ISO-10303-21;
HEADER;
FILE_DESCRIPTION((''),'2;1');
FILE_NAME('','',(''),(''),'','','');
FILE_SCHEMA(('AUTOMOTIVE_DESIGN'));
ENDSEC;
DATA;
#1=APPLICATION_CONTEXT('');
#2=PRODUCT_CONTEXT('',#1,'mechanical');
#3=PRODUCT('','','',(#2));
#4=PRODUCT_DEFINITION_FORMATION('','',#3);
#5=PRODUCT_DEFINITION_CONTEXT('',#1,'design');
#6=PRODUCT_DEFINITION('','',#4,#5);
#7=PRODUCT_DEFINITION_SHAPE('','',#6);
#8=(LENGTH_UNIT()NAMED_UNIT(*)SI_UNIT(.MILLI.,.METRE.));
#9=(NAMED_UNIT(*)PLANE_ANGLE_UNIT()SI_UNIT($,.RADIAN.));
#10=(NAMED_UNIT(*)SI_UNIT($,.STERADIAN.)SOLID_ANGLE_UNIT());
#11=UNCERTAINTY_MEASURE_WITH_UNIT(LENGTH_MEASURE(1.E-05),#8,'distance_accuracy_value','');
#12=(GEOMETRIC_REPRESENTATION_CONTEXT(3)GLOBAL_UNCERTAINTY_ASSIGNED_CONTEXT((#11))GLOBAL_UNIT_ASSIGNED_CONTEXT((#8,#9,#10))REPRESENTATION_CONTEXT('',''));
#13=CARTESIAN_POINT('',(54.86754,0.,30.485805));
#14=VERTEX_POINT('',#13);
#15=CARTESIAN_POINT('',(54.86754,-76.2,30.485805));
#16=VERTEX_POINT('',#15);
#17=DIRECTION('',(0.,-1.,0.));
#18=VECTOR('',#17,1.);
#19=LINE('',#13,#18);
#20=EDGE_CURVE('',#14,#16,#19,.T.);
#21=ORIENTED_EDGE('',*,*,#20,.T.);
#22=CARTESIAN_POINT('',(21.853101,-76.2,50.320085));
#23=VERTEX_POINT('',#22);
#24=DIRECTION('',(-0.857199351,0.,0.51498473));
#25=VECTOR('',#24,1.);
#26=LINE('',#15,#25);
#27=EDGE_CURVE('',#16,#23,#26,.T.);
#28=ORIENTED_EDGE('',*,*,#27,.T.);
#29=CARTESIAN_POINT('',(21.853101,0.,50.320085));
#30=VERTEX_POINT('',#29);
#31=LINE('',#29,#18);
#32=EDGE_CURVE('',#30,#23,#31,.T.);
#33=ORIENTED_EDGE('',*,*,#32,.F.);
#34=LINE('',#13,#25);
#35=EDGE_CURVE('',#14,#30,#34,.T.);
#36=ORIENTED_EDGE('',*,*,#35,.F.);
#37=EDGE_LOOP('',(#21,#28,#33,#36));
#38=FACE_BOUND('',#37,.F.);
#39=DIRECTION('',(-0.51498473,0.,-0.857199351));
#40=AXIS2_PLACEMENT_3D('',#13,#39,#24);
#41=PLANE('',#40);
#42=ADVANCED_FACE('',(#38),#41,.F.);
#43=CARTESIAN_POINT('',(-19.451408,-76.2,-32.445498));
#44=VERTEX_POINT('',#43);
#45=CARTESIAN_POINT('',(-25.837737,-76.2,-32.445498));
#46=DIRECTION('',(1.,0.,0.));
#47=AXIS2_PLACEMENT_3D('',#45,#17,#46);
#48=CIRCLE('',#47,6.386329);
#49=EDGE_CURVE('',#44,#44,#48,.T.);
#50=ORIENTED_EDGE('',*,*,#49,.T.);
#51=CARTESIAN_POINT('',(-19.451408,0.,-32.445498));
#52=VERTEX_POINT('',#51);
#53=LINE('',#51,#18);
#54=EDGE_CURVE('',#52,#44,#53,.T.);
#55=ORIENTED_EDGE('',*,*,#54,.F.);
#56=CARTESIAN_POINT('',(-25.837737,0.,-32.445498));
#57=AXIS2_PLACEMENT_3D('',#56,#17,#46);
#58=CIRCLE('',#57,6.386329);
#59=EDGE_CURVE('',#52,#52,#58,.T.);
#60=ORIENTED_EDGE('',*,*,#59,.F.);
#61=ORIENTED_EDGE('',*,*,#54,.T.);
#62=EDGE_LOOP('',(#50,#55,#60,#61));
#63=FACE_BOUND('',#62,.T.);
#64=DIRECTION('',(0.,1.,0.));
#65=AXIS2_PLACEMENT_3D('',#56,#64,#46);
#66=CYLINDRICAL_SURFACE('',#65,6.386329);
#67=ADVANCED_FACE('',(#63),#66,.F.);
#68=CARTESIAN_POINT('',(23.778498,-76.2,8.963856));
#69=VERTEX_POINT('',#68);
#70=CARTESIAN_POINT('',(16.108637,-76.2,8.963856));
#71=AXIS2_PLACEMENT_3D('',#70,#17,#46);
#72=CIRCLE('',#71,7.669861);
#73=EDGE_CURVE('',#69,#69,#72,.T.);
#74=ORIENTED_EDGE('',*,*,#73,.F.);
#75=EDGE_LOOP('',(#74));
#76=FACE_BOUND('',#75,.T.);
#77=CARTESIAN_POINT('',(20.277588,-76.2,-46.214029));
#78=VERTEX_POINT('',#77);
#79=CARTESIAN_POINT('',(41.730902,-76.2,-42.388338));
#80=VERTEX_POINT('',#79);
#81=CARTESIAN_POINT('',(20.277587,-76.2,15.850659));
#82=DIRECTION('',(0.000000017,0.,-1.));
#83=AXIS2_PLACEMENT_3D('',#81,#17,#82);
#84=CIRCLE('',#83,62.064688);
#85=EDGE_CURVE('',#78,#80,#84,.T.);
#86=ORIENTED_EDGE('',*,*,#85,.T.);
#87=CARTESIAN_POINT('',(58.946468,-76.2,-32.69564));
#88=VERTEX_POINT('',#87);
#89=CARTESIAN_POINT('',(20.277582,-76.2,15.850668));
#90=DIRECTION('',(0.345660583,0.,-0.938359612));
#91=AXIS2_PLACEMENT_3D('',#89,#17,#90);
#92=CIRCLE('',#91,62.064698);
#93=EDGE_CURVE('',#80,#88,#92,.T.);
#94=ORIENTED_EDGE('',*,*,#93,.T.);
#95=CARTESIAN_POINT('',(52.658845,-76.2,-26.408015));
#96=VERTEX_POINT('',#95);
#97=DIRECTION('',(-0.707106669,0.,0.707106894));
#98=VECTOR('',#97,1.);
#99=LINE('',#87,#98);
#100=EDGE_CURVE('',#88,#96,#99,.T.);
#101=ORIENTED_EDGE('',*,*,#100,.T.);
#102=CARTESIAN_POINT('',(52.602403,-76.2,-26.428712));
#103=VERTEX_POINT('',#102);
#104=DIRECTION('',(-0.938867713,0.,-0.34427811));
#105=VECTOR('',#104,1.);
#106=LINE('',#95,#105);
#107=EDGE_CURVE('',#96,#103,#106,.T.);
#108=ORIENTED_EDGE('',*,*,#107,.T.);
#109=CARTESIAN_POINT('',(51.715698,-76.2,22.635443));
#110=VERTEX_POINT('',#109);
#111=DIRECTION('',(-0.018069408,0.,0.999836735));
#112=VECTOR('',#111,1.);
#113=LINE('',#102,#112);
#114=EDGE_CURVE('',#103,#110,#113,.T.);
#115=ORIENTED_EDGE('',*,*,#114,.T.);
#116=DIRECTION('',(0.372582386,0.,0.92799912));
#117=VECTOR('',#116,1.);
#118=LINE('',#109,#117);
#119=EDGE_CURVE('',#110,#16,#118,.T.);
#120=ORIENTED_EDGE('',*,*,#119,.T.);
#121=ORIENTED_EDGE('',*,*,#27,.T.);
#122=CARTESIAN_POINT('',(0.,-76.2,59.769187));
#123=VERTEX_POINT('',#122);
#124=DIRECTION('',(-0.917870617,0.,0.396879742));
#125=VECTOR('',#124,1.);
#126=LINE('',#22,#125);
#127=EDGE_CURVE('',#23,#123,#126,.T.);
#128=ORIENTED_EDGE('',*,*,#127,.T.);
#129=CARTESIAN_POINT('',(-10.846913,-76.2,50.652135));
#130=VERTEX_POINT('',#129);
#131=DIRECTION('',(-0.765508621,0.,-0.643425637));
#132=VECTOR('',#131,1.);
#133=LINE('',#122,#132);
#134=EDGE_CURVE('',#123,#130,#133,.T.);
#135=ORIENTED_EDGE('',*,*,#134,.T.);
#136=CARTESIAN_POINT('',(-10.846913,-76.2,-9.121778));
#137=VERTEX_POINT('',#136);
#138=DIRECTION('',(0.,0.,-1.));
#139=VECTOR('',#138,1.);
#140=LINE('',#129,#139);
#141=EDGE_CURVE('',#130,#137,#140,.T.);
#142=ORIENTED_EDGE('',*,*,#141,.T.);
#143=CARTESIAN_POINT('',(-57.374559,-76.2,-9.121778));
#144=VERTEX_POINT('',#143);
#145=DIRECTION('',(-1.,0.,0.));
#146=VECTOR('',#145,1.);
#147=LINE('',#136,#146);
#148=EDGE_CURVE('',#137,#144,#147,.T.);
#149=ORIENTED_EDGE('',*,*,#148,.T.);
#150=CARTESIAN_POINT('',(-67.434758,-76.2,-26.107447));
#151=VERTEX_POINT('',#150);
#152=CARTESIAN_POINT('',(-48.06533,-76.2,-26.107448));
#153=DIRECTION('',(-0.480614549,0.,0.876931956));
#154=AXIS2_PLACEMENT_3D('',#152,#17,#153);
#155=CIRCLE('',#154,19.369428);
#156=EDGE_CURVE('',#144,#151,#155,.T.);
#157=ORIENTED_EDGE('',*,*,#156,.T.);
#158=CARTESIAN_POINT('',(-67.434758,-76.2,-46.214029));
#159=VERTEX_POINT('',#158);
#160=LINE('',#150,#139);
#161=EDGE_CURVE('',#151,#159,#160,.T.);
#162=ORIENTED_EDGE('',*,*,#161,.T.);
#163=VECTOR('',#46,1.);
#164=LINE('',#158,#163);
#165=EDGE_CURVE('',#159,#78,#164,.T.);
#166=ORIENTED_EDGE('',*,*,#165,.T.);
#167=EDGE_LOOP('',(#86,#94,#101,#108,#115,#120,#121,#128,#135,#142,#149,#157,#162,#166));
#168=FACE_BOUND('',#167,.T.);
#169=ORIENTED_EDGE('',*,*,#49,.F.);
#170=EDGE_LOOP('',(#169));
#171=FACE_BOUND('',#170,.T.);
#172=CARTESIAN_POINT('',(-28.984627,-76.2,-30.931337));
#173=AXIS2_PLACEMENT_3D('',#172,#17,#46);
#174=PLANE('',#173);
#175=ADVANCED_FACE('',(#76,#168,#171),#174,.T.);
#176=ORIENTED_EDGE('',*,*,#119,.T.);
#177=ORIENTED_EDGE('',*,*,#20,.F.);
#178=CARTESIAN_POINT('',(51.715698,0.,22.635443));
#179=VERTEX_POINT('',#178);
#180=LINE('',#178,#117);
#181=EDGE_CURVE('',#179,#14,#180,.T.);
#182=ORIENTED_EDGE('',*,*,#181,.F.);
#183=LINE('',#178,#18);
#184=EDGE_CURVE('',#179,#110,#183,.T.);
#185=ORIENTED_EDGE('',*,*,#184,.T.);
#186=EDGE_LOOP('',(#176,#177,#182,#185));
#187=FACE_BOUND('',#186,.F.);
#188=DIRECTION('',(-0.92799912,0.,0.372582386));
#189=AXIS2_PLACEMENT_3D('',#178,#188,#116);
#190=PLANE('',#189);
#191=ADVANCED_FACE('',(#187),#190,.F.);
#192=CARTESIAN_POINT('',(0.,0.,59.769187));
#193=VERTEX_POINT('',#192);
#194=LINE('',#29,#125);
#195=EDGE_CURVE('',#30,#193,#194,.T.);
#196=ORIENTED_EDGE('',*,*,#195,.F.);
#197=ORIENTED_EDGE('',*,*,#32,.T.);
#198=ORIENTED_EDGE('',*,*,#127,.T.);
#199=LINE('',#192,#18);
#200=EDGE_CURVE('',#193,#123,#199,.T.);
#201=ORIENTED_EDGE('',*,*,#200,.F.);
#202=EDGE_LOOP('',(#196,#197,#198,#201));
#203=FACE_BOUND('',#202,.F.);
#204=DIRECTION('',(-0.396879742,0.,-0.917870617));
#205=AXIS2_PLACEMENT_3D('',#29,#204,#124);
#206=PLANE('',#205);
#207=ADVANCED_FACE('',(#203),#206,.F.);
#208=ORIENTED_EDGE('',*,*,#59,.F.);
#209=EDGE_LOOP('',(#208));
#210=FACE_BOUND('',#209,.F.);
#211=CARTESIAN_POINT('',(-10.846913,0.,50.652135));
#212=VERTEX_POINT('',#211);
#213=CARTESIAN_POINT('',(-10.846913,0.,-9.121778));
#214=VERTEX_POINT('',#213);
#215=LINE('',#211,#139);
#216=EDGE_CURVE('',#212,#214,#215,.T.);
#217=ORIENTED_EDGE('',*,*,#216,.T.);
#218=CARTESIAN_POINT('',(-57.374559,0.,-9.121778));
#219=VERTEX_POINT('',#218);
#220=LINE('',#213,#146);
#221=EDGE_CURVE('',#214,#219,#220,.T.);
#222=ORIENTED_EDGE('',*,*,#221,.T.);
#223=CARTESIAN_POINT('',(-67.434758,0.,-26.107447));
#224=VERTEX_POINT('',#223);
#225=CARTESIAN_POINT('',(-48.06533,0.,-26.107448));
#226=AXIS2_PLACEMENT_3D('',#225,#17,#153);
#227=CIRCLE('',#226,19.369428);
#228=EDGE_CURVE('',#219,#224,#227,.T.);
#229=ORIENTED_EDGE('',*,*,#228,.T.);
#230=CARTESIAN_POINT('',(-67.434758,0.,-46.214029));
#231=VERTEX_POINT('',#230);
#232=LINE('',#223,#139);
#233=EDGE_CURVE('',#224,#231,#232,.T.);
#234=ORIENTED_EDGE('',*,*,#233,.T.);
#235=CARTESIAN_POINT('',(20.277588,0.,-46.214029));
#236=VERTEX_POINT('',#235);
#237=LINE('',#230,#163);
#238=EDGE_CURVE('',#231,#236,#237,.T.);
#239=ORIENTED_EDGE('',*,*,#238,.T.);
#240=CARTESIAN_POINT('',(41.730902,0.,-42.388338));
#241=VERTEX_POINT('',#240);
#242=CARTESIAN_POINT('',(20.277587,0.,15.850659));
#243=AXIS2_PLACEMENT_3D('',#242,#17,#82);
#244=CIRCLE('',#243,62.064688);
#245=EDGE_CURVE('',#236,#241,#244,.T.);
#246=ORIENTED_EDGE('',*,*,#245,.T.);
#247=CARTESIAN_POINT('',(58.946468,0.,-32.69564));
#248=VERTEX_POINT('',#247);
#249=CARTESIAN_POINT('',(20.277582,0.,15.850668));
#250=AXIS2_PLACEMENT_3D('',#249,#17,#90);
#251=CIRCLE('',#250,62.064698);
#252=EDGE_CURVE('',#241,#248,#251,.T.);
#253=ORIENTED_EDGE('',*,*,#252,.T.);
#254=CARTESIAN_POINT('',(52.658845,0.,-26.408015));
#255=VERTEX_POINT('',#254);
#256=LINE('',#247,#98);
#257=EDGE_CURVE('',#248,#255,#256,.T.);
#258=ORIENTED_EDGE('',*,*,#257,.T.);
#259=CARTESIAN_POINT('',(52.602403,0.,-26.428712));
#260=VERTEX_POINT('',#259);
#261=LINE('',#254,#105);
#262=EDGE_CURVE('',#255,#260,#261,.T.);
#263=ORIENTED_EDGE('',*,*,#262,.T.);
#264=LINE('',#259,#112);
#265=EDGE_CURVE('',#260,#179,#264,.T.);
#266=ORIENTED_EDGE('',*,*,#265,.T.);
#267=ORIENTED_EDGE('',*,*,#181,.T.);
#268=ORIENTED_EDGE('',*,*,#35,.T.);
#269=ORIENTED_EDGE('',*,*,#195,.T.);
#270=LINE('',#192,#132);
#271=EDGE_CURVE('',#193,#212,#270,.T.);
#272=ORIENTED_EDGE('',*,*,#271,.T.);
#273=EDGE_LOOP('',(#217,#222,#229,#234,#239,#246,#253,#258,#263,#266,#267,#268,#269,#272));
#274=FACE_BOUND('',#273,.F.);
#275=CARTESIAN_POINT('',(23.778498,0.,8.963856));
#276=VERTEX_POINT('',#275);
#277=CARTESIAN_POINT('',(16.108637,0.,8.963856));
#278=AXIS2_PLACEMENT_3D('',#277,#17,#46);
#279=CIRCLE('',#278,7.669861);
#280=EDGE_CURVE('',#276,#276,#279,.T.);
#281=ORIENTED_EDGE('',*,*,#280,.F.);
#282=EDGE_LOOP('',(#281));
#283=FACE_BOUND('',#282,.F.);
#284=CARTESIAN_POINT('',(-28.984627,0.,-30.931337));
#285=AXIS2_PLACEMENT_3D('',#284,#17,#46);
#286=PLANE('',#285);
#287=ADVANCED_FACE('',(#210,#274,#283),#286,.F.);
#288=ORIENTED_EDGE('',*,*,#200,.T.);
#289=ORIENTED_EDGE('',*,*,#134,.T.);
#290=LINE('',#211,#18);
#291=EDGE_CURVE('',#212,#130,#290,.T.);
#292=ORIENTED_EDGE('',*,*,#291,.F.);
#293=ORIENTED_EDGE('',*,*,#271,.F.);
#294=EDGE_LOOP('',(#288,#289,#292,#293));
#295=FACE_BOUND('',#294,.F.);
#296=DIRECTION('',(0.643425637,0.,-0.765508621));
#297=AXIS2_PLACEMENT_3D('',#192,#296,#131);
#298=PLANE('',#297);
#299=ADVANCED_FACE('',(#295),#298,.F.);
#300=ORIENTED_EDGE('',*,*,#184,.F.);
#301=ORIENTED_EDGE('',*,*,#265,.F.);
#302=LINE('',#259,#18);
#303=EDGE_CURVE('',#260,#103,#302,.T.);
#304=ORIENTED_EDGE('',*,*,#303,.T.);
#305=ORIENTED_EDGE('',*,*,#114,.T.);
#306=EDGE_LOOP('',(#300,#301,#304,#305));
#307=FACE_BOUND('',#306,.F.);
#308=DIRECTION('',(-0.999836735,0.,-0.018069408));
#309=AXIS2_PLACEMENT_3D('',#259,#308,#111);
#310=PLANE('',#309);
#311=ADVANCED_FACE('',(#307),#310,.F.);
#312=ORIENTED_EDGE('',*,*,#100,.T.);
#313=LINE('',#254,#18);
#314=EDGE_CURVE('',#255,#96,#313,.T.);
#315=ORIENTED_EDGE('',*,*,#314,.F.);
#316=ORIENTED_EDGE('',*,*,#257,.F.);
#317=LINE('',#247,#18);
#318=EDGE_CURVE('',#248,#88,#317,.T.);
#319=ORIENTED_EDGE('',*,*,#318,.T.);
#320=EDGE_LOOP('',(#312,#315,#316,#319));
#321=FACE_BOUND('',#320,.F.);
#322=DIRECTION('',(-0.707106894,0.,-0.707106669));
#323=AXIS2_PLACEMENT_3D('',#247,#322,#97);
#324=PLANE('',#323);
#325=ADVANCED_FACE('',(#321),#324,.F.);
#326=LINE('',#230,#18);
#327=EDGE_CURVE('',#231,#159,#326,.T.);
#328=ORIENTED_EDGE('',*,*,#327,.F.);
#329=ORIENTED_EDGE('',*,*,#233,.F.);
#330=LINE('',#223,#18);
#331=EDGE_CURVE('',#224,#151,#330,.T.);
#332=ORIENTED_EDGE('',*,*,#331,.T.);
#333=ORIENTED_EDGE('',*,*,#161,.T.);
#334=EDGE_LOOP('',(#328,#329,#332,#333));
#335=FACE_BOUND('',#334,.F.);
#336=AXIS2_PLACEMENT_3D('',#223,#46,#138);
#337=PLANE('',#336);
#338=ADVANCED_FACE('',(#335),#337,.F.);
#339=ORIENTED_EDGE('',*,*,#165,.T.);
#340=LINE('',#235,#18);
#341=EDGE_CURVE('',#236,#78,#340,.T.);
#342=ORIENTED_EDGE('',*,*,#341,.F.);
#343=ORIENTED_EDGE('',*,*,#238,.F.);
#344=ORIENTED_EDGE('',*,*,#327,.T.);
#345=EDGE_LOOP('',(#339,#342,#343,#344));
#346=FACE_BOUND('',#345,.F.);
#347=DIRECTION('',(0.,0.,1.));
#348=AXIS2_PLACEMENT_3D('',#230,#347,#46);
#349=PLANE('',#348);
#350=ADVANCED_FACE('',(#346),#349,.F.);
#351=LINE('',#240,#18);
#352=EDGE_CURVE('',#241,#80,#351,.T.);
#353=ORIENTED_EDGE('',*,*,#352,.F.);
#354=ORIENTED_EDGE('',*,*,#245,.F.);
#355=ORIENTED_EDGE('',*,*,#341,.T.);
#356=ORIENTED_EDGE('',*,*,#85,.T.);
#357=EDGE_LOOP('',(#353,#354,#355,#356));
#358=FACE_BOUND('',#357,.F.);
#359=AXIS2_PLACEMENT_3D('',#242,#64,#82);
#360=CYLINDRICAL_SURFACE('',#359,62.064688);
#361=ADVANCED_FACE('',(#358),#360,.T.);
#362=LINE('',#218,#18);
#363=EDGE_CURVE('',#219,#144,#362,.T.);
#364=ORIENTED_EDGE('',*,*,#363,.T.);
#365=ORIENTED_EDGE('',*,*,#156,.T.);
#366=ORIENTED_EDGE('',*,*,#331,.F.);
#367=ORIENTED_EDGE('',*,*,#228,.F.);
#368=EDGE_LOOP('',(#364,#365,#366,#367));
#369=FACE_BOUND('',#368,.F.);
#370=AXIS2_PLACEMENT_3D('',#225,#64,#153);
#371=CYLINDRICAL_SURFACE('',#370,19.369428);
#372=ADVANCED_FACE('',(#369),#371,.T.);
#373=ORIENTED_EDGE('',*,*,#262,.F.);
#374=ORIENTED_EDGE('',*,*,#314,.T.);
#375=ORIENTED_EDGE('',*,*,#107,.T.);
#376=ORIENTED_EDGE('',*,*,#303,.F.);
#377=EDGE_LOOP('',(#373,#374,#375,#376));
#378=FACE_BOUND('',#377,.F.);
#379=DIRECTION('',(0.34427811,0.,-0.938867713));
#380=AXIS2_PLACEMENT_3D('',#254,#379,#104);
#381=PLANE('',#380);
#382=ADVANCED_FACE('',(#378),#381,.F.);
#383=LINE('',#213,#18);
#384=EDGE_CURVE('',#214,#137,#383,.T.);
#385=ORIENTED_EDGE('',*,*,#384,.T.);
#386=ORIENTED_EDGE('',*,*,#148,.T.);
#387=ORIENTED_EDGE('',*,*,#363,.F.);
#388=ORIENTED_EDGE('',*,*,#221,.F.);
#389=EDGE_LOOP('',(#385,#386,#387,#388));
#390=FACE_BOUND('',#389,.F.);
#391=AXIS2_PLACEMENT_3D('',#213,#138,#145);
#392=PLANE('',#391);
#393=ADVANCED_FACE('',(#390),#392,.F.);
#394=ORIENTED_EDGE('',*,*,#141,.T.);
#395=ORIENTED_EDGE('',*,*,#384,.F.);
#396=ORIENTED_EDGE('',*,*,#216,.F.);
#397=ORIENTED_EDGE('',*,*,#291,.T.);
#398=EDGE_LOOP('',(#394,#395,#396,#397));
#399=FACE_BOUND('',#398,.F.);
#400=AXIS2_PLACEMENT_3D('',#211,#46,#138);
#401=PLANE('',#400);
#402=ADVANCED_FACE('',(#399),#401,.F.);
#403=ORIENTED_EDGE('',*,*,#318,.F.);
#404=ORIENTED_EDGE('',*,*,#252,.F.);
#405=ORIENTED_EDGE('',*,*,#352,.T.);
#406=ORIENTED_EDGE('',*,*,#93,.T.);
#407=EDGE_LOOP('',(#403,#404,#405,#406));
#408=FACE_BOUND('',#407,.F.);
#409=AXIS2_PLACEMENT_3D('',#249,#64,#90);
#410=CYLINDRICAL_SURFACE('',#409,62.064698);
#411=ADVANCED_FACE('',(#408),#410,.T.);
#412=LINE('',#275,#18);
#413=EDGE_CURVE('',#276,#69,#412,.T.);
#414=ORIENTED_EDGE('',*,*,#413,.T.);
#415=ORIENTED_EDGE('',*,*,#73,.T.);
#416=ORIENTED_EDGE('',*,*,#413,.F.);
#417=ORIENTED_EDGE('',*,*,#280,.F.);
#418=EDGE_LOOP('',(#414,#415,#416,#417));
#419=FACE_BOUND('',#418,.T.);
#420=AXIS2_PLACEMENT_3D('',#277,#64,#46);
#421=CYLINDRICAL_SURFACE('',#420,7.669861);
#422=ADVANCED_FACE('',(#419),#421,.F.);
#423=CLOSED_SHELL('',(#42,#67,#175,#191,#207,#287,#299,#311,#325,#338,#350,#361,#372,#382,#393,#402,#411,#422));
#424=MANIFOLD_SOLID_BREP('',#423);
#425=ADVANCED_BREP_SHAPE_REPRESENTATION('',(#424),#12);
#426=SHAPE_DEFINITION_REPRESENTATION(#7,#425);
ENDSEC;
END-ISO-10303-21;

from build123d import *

# Parameters (mm, degrees)
F0_R     = 6.386329
F0_R_2   = 7.669861
F1_DEPTH = 76.2


with BuildPart() as f1:
    # F0 (on Front) → F1 (new body)
    with BuildSketch(Plane.XZ):
        with BuildLine():
            Line((-59.575226, -25.464874), (-59.575226, -46.214029))
            Line((-59.575226, -46.214029), (0, -46.214029))
            Line((0, -46.214029), (0, -14.775913))
            Line((0, -14.775913), (-10.846913, -14.775913))
            Line((-10.846913, -14.775913), (-51.715698, -14.775913))
            ThreePointArc((-51.715698, -14.775913), (-57.398857, -18.831133), (-59.575226, -25.464874))
        make_face()
        with Locations((-25.837737, -32.445498)):
            Circle(F0_R, mode=Mode.SUBTRACT)
        with BuildLine():
            Line((-67.434758, -46.214029), (-59.575226, -46.214029))
            Line((-59.575226, -46.214029), (-59.575226, -25.464874))
            ThreePointArc((-59.575226, -25.464874), (-57.398857, -18.831133), (-51.715698, -14.775913))
            Line((-51.715698, -14.775913), (-10.846913, -14.775913))
            Line((-10.846913, -14.775913), (-10.846913, -9.121778))
            Line((-10.846913, -9.121778), (-57.374559, -9.121778))
            ThreePointArc((-57.374559, -9.121778), (-64.731001, -16.236777), (-67.434758, -26.107447))
            Line((-67.434758, -26.107447), (-67.434758, -46.214029))
        make_face()
        Polygon((-10.846913, -14.775913), (0, -14.775913), (9.588626, -14.775913), (21.832943, -26.408015), (44.932198, -17.93753), (44.932198, 22.635443), (12.734826, 42.775784), (-10.846913, 50.652135), (-10.846913, -9.121778), align=None)
        with Locations((16.108637, 8.963856)):
            Circle(F0_R_2, mode=Mode.SUBTRACT)
        with BuildLine():
            Line((0, -14.775913), (0, -46.214029))
            Line((0, -46.214029), (20.277588, -46.214029))
            ThreePointArc((20.277588, -46.214029), (31.173466, -45.250121), (41.730902, -42.388338))
            ThreePointArc((41.730902, -42.388338), (37.981593, -41.004981), (34.739118, -38.668882))
            Line((34.739118, -38.668882), (30.417925, -34.563749))
            Line((30.417925, -34.563749), (21.832943, -26.408015))
            Line((21.832943, -26.408015), (9.588626, -14.775913))
            Line((9.588626, -14.775913), (0, -14.775913))
        make_face()
        with BuildLine():
            ThreePointArc((34.739118, -38.668882), (37.981593, -41.004981), (41.730902, -42.388338))
            ThreePointArc((41.730902, -42.388338), (50.726835, -38.231397), (58.946468, -32.69564))
            Line((58.946468, -32.69564), (52.658845, -26.408015))
            Line((52.658845, -26.408015), (52.602403, -26.428712))
            Line((52.602403, -26.428712), (30.417925, -34.563749))
            Line((30.417925, -34.563749), (34.739118, -38.668882))
        make_face()
        Polygon((44.932198, -17.93753), (21.832943, -26.408015), (30.417925, -34.563749), (52.602403, -26.428712), (51.715698, 22.635443), (44.932198, 22.635443), align=None)
        Polygon((21.853101, 50.320085), (12.734826, 42.775784), (44.932198, 22.635443), (51.715698, 22.635443), (54.86754, 30.485805), align=None)
        Polygon((0, 59.769187), (-10.846913, 50.652135), (12.734826, 42.775784), (21.853101, 50.320085), align=None)
    extrude(amount=F1_DEPTH)


solid = f1.part
